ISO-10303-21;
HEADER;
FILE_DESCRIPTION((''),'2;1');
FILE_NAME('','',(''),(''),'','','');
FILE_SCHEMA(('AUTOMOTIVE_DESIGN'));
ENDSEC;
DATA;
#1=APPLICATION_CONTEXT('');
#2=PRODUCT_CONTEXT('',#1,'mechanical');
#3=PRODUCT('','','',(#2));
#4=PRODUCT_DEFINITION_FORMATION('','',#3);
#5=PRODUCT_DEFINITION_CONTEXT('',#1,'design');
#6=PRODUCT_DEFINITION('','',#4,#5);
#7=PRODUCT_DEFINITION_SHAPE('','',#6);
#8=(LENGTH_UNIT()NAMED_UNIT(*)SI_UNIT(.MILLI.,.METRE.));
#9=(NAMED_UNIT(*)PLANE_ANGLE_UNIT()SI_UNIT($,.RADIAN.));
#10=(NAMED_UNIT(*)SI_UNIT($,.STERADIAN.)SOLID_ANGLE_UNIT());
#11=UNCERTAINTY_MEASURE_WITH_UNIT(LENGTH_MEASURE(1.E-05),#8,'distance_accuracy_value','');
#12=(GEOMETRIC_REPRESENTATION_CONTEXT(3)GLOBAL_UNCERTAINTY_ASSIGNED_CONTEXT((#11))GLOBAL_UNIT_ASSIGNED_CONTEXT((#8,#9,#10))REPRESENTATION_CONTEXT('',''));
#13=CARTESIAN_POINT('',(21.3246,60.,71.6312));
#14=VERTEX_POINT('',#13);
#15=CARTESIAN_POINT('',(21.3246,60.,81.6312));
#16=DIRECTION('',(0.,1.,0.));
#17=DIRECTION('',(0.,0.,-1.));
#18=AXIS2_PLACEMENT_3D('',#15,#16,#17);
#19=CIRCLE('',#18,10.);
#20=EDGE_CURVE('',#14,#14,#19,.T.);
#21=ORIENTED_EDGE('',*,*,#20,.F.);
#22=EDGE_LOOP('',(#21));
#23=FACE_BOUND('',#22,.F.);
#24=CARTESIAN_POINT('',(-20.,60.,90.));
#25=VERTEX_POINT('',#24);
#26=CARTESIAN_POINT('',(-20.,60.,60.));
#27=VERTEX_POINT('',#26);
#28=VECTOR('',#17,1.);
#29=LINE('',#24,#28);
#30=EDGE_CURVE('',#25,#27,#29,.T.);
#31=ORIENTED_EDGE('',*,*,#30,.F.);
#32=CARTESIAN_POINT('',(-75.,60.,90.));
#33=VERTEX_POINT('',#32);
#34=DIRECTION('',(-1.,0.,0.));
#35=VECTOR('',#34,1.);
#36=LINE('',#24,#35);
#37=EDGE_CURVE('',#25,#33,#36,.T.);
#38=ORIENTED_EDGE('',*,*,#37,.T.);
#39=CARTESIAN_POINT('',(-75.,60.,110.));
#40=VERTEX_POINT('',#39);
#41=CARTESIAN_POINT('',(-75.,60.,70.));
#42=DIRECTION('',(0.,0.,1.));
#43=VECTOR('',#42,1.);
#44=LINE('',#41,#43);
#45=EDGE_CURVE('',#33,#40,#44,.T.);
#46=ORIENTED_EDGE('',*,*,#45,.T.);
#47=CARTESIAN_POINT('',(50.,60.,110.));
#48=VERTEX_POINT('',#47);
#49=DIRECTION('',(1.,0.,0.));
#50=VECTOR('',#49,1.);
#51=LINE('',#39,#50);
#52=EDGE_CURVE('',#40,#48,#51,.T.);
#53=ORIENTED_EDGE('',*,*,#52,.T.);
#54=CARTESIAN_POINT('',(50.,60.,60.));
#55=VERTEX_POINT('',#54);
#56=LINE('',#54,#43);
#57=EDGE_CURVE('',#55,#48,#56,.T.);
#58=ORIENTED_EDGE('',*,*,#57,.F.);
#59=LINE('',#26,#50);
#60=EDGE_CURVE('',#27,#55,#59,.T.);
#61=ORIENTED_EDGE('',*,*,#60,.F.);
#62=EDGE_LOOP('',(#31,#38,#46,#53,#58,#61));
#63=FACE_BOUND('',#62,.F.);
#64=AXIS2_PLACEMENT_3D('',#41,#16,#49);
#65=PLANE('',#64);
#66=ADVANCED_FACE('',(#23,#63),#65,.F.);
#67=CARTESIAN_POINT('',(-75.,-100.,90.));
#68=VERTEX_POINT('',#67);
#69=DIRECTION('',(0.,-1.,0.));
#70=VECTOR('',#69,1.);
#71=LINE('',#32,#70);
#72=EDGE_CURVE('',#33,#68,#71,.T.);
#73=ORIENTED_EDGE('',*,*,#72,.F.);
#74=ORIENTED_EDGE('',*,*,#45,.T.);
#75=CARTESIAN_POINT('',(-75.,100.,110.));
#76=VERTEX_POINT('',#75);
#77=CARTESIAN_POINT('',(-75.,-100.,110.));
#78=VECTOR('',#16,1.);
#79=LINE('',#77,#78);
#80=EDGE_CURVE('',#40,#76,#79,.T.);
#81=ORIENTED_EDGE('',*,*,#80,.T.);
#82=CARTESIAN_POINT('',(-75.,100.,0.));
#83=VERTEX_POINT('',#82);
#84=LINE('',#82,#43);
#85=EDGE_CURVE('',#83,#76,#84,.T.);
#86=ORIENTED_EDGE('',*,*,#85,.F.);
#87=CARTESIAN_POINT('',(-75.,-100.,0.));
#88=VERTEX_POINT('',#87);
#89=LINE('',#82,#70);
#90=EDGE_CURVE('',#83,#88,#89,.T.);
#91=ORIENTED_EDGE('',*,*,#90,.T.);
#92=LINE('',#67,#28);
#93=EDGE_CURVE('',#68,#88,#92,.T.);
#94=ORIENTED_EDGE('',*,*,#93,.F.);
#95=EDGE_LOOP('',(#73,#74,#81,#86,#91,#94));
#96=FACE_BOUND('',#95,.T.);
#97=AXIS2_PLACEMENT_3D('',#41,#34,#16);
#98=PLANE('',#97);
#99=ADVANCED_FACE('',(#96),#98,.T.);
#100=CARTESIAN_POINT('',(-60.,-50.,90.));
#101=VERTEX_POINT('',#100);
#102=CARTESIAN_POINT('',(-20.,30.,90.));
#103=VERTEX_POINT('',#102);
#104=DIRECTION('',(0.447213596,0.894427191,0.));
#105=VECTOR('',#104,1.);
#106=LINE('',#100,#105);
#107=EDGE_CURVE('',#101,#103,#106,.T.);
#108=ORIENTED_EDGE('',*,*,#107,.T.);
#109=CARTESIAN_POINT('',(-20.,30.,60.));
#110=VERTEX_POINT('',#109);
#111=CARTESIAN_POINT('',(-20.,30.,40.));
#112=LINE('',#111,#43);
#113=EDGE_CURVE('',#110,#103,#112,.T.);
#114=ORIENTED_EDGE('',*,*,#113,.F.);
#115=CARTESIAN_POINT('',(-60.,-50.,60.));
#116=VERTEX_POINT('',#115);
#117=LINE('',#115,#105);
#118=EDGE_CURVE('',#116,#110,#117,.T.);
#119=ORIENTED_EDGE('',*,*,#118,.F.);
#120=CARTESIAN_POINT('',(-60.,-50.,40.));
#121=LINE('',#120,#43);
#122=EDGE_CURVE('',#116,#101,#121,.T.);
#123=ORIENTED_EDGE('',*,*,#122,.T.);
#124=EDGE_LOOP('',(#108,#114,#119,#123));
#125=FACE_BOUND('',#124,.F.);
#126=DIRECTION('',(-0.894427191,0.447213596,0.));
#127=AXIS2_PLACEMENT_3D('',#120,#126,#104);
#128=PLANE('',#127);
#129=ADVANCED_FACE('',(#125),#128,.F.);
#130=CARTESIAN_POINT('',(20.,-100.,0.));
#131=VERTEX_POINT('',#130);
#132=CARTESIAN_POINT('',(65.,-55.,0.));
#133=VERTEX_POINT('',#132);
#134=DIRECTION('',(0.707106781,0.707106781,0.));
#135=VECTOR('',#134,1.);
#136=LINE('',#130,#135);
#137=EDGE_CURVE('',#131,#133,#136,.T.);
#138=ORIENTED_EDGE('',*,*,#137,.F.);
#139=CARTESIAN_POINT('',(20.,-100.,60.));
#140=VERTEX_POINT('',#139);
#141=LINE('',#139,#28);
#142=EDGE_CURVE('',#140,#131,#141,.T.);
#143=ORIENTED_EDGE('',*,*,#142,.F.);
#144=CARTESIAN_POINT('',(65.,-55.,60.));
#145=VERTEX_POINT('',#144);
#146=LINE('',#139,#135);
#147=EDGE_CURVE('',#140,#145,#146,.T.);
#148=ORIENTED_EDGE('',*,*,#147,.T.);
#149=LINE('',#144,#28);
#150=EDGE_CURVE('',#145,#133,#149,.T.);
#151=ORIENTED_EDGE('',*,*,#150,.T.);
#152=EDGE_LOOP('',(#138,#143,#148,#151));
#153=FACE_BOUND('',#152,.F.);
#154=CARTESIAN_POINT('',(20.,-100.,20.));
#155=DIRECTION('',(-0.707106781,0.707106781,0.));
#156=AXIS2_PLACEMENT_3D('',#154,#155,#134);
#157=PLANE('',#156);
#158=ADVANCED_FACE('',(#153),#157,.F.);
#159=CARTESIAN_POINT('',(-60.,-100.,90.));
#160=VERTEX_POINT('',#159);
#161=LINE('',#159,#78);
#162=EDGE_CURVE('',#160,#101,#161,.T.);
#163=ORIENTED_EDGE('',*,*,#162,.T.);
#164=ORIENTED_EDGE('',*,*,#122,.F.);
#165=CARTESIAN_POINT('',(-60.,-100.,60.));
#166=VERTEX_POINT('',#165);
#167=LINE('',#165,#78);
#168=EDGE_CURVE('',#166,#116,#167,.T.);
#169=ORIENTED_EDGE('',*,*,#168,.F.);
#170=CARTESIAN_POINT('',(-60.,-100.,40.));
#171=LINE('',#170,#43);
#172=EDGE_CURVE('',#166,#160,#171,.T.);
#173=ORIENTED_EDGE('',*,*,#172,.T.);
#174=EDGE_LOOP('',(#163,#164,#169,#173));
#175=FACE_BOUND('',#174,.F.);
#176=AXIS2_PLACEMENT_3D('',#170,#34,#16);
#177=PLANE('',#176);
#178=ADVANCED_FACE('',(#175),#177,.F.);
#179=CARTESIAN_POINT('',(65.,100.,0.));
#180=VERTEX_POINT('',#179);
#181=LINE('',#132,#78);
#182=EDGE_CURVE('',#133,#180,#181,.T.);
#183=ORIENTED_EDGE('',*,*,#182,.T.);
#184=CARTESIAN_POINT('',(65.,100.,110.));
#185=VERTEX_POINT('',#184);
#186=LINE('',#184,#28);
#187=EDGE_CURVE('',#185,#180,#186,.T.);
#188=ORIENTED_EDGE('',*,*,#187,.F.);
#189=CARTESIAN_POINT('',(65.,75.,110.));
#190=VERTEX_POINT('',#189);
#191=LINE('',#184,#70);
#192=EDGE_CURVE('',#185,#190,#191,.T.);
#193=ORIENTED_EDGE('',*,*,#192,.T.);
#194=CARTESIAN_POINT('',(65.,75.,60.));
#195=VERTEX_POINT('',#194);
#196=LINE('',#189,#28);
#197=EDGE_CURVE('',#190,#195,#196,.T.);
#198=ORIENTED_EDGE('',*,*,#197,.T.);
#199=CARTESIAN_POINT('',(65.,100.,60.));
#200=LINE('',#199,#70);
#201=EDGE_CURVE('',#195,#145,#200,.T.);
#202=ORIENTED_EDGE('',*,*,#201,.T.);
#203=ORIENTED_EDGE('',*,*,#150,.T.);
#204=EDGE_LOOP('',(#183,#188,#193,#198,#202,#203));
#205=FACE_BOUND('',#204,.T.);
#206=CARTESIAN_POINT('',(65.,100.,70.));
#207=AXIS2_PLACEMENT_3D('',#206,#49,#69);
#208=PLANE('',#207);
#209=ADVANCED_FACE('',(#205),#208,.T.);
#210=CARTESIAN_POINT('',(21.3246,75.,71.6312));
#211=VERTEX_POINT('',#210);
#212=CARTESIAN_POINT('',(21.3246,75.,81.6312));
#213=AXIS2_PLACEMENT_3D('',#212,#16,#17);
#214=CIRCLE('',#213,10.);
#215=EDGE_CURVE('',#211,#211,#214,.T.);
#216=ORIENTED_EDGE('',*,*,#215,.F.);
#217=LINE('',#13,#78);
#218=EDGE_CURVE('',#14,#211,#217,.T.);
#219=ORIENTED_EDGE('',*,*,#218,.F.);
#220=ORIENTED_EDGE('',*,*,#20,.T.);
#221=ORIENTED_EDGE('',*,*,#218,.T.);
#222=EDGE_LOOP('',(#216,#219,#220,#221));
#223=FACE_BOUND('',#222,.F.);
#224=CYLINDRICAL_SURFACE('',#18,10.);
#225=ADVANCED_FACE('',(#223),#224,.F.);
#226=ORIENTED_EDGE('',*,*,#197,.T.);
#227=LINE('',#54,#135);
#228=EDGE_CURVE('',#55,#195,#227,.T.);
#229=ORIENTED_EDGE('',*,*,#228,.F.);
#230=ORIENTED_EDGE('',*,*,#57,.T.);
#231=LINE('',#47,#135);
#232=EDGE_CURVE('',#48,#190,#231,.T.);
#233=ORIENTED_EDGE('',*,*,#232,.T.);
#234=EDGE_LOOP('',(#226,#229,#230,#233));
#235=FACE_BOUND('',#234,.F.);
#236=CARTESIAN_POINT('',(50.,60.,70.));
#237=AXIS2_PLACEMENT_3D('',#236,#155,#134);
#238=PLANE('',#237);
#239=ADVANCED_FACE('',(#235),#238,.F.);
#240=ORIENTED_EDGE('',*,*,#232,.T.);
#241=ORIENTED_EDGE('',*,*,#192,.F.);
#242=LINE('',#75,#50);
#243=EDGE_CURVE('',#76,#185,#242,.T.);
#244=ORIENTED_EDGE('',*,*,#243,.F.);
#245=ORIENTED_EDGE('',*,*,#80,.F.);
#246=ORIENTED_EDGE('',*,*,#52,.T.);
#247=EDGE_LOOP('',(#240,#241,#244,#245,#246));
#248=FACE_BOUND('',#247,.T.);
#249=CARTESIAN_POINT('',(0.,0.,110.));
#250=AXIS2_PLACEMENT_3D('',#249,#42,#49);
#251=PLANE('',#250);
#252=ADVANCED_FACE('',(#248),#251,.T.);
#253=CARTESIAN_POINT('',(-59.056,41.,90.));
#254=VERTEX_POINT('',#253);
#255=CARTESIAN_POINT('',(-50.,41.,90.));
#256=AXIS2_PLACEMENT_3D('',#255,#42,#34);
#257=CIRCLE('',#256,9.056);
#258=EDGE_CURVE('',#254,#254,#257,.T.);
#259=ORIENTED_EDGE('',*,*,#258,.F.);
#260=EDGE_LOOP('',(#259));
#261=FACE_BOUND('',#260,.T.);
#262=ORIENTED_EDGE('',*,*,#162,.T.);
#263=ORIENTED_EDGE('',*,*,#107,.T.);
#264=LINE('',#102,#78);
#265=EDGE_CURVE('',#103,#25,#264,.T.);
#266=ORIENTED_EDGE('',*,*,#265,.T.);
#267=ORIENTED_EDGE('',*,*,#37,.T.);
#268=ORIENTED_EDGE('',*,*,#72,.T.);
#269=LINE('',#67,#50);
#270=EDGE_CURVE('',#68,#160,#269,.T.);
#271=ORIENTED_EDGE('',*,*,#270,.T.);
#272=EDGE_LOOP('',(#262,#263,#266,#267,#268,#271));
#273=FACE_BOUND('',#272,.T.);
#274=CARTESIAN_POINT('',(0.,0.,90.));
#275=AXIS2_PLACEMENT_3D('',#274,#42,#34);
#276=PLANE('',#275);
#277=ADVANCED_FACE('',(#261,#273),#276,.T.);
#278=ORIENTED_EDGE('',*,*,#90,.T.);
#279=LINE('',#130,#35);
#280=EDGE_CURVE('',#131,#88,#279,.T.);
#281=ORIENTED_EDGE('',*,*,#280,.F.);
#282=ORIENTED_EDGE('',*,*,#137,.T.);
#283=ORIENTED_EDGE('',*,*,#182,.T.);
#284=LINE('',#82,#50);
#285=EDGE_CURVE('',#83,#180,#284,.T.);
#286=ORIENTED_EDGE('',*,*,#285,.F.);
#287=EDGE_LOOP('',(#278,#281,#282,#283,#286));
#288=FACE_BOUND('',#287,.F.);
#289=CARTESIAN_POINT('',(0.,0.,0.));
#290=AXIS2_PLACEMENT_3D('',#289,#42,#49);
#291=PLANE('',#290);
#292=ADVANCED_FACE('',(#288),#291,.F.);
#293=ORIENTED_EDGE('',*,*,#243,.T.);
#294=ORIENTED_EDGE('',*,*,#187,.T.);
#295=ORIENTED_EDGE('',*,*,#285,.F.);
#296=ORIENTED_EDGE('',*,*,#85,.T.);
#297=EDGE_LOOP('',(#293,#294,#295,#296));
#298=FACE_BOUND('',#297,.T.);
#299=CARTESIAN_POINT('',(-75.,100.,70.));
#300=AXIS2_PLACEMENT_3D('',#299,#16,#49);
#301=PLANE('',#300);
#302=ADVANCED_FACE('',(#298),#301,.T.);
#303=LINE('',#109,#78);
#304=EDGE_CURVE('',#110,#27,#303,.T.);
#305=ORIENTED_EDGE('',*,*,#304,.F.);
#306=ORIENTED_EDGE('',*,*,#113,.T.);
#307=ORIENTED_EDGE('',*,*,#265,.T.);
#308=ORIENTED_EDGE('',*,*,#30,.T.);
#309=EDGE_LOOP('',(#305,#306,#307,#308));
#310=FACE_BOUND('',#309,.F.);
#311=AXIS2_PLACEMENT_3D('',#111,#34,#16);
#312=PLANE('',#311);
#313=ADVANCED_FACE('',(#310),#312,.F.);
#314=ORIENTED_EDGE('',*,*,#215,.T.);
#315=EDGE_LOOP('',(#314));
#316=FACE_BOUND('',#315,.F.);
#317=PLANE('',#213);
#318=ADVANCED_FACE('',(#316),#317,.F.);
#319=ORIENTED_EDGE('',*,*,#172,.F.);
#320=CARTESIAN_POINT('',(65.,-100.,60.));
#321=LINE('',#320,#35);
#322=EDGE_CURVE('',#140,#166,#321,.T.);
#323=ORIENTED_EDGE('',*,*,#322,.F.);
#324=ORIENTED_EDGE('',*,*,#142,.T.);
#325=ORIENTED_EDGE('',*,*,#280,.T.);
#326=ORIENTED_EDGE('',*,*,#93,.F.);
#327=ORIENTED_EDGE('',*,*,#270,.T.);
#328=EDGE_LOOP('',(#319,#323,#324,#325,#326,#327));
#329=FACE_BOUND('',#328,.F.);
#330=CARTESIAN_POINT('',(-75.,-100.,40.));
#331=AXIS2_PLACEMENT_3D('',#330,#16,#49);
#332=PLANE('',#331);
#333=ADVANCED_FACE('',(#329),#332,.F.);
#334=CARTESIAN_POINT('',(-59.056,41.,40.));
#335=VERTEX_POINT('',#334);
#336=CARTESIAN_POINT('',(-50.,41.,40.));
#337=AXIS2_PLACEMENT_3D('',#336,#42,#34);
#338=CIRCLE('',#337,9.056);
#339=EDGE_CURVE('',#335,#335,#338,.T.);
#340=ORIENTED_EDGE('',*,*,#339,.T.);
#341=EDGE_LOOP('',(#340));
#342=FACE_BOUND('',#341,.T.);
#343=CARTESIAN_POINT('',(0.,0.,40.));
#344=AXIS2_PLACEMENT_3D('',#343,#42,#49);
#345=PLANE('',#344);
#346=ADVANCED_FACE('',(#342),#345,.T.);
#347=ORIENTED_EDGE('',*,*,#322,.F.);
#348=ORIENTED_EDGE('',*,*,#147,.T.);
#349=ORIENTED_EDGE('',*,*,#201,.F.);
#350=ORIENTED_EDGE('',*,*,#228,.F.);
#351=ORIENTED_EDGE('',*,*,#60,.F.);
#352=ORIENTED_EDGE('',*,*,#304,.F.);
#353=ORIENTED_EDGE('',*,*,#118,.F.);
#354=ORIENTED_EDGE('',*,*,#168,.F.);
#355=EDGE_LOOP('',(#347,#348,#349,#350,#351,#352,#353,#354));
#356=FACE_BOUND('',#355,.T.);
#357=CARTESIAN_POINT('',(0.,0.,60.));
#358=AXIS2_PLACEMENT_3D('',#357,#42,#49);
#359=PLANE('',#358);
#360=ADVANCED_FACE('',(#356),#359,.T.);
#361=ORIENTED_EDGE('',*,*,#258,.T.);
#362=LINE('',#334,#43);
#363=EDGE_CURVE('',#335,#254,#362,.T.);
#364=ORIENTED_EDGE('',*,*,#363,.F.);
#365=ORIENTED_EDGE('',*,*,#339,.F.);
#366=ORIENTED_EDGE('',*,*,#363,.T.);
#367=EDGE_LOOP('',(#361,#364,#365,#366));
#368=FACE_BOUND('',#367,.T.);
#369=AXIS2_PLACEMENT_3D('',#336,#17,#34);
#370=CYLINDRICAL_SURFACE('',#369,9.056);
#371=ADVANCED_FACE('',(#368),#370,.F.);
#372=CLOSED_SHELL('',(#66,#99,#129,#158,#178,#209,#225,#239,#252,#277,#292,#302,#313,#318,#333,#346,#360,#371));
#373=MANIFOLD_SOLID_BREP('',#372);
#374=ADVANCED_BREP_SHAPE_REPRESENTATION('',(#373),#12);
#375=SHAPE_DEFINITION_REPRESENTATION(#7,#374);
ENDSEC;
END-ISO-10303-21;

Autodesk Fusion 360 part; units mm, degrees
sketch "Sketch1" plane through (0, 0, 0) normal (0, 0, 1) x (1, 0, 0)
  line L0 (-75, 100) -> (65, 100)
  line L1 (65, 100) -> (65, -100)
  line L2 (65, -100) -> (-75, -100)
  line L3 (-75, -100) -> (-75, 100)
  line L4 (38.9966, -100) -> (40, -100)
  line L5 (20, -100) -> (65, -55)
  line L6 (-60, -100) -> (-60, -50)
  line L7 (-60, -50) -> (-20, 30)
  line L8 (-20, 30) -> (-20, 60)
  line L9 (-20, 60) -> (50, 60)
  line L10 (50, 60) -> (70, 80)
  line L11 (70, 80) -> (70, 100)
  line L12 (-20, 60) -> (-75, 60)
extrude "Extrude1" add sketch "Sketch1" along normal blind 20 contours L1 L2 L5 L6 L7 L8 L9 L10
extrude "Extrude2" add sketch "Sketch1" along normal blind 40 contours L2 L3 L6 L7 L8 L12
extrude "Extrude3" add sketch "Sketch1" along normal blind 70 contours L0 L1 L3 L9 L10 L12
sketch "Sketch2" plane through (0, 0, 40) normal (0, 0, 1) x (-1, 0, 0)
  line L0 (60, 100) -> (60, 50)
  line L1 (60, 50) -> (20, -30)
  line L2 (20, -30) -> (20, -60)
  line L3 (20, -60) -> (75, -60)
  line L4 (75, -60) -> (75, 100)
  line L5 (75, 100) -> (60, 100)
  circle A0 centre (50, -41) radius 9.056
sketch "Sketch3" plane through (0, 60, 0) normal (0, -1, 0) x (1, 0, 0)
  line L0 (-75, 40) -> (-20, 40)
  line L1 (-20, 40) -> (-20, 20)
  line L2 (-20, 20) -> (50, 20)
  line L3 (50, 20) -> (50, 70)
  line L4 (50, 70) -> (-75, 70)
  line L5 (-75, 70) -> (-75, 40)
  circle A0 centre (20, 45) radius 11.8346
extrude "Extrude4" add 1 faces at (-5, -25, 20) along direction (0, 0, 1) blind 40
extrude "Extrude5" add sketch "Sketch2" along normal blind 50
extrude "Extrude6" add 1 faces at (-10, 86.6667, 70) along direction (0, 0, 1) blind 40
sketch "Sketch4" plane through (0, 60, 0) normal (0, -1, 0) x (1, 0, 0)
  line L0 (-20, 90) -> (-20, 60)
  line L1 (-20, 60) -> (50, 60)
  line L2 (50, 60) -> (50, 110)
  line L3 (50, 110) -> (-75, 110)
  line L4 (-75, 110) -> (-75, 90)
  line L5 (-75, 90) -> (-20, 90)
hole "Hole1" at (21.3246, 60, 81.6312) direction (0, 1, 0) diameter 20 depth 15 tip angle 180
sketch "Sketch5" plane through (0, 0, 0) normal (0, 0, 1) x (1, 0, 0)
